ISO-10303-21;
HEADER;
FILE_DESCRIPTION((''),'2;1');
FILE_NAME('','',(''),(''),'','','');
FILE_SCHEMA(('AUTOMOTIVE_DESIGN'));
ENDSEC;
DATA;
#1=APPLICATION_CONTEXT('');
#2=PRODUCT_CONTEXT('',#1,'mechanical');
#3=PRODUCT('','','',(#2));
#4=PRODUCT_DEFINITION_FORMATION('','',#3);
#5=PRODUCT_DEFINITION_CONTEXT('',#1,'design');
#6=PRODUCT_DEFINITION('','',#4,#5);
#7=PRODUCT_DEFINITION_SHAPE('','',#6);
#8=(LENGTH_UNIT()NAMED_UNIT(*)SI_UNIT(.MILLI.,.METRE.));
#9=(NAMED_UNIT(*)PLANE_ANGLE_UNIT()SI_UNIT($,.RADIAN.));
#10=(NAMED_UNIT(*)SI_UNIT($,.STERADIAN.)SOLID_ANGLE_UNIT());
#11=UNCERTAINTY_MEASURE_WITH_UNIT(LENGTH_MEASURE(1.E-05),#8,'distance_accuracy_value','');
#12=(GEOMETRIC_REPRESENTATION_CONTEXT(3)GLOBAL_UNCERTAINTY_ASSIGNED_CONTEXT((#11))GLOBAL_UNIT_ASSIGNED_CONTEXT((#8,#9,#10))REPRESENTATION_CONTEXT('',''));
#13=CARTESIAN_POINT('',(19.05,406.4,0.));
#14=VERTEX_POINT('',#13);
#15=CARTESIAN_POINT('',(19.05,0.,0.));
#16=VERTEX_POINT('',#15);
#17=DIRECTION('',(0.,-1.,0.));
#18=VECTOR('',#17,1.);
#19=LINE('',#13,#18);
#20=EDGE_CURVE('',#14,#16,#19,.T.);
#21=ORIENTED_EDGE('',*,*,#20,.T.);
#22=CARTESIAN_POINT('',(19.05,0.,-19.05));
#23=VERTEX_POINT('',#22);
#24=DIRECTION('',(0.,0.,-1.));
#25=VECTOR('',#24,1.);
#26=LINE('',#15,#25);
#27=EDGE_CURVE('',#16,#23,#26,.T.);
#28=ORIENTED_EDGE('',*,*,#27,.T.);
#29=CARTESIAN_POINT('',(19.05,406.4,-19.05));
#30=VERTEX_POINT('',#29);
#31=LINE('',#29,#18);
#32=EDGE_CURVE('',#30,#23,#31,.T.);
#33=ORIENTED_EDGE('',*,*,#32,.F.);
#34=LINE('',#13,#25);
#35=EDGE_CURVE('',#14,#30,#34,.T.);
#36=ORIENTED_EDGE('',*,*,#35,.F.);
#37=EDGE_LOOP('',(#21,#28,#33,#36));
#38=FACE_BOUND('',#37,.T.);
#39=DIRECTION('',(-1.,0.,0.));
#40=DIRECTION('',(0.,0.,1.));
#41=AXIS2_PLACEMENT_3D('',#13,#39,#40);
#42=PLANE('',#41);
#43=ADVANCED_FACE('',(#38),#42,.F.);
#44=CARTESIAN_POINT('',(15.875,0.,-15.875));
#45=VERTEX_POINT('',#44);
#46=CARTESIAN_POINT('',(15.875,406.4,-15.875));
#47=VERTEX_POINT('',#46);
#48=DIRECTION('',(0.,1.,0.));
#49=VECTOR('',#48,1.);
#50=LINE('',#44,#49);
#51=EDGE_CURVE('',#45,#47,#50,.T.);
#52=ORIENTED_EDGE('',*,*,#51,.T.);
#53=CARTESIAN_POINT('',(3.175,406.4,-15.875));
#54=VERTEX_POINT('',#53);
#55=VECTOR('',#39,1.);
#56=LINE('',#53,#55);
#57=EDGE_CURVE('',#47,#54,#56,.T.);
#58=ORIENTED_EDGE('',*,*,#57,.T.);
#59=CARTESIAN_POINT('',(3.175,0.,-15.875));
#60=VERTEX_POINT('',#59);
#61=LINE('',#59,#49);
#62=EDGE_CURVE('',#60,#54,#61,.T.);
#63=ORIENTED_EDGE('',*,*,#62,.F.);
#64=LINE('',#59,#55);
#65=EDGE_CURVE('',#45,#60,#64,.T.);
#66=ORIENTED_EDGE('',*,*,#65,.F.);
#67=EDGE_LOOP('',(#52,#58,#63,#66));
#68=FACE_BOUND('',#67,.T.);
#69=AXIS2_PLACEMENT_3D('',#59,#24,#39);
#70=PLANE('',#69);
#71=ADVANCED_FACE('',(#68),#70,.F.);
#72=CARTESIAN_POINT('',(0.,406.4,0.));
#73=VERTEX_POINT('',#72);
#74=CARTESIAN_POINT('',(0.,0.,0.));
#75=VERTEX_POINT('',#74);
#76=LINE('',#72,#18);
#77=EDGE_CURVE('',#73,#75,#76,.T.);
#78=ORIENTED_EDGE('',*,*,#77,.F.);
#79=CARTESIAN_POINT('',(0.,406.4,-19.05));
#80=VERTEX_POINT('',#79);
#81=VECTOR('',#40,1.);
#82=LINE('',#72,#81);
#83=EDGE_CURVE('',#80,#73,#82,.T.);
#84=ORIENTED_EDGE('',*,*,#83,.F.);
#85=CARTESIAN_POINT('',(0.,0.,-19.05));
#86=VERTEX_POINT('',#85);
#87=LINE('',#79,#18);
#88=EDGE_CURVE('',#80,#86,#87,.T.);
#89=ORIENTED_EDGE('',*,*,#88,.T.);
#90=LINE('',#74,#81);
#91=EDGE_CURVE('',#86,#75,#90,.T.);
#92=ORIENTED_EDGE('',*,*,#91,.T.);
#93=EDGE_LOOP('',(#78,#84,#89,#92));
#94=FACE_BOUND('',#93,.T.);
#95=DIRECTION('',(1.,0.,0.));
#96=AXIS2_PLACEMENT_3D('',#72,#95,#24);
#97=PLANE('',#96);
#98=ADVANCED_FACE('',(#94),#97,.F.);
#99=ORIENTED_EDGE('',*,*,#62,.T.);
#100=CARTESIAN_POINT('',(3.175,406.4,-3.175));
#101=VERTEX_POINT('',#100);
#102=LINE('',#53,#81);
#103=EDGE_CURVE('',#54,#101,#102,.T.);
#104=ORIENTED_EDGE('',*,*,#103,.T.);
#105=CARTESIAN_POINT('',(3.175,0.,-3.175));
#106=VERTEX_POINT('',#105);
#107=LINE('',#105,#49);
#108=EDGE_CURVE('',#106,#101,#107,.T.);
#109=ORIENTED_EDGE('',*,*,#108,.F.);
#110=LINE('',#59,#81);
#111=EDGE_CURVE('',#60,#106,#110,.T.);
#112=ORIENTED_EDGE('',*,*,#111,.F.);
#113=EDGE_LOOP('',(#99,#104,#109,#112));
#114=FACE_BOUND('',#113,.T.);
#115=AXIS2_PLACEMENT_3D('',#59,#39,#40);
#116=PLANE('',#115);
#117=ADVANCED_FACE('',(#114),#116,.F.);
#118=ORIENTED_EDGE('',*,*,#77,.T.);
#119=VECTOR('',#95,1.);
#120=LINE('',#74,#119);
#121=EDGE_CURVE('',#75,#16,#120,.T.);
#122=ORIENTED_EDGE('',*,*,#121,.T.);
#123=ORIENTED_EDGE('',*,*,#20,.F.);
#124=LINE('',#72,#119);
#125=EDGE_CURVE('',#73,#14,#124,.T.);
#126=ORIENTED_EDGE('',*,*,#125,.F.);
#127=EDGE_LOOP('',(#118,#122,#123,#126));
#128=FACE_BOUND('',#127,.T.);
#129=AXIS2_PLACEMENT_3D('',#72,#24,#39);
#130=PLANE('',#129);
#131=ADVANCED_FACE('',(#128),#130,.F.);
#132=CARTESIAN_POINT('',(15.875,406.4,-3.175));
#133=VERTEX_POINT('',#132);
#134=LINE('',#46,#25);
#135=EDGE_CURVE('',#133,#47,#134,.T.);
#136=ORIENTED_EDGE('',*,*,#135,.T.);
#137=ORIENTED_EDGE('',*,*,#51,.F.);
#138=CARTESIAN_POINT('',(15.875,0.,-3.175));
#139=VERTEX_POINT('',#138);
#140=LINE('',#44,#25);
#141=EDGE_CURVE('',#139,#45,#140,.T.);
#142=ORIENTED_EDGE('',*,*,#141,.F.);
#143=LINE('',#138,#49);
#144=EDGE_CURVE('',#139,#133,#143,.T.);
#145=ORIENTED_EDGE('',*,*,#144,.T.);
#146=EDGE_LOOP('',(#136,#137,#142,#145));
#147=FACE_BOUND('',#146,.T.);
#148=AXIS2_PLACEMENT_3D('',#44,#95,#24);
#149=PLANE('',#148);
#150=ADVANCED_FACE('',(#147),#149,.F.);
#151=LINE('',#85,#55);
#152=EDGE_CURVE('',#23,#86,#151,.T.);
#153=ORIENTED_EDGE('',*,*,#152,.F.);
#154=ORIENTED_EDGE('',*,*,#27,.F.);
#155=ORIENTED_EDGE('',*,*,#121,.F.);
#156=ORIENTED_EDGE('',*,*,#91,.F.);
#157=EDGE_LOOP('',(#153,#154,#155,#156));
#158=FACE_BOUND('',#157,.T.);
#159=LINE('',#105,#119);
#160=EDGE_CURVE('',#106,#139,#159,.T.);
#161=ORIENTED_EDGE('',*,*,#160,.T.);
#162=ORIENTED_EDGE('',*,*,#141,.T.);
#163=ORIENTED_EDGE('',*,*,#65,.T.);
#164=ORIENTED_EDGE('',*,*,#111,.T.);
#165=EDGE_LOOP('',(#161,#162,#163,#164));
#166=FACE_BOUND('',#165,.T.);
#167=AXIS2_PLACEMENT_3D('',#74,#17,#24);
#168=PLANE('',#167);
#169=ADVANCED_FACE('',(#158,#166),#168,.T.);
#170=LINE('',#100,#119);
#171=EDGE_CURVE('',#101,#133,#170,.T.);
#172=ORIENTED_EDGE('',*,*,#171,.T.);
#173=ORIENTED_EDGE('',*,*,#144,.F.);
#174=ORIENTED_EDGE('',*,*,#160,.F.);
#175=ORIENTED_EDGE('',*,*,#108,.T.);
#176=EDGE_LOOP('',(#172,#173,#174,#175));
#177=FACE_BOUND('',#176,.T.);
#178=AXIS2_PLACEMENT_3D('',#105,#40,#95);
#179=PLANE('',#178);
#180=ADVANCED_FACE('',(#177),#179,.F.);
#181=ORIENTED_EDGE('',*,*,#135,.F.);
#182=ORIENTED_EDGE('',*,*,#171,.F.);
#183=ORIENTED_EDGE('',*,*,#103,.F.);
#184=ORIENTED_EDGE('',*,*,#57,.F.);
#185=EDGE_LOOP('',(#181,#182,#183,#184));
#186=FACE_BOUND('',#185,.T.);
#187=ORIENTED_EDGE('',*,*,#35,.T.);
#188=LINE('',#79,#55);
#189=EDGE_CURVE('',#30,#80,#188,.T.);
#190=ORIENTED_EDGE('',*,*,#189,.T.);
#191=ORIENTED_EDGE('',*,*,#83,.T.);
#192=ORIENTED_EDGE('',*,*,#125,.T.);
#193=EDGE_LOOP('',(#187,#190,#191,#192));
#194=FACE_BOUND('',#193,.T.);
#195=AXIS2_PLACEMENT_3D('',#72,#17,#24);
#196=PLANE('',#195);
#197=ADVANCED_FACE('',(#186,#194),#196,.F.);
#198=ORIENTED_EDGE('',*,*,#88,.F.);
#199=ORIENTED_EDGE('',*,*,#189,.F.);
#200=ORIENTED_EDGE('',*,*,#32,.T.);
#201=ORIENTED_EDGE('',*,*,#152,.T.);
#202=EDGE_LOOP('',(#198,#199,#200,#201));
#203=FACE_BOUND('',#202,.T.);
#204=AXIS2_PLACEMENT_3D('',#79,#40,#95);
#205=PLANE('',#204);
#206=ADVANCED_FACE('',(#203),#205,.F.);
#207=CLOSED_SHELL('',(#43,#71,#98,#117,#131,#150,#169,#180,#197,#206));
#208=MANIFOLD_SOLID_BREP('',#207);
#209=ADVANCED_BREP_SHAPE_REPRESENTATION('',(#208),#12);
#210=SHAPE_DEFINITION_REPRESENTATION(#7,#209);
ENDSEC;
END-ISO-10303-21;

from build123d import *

# Parameters (mm, degrees)
SKETCH1_W           = 19.05
SKETCH1_H           = 19.05
BOSS_EXTRUDE1_DEPTH = 406.4
SKETCH2_W           = 12.7
SKETCH2_H           = 12.7
CUT_EXTRUDE1_DEPTH  = 406.4


with BuildPart() as part:
    # Sketch1 → Boss-Extrude1 (new body)
    with BuildSketch(Plane(origin=(0, 0, 0), x_dir=(1, 0, 0), z_dir=(0, 1, 0))):
        with Locations((9.525, 9.525)):
            Rectangle(SKETCH1_W, SKETCH1_H)
    extrude(amount=BOSS_EXTRUDE1_DEPTH)

    # Sketch2 → Cut-Extrude1 (cut)
    with BuildSketch(Plane(origin=(0, 406.4, 0), x_dir=(1, 0, 0), z_dir=(0, 1, 0))):
        with Locations((9.525, 9.525)):
            Rectangle(SKETCH2_W, SKETCH2_H)
    extrude(amount=-CUT_EXTRUDE1_DEPTH, mode=Mode.SUBTRACT)


solid = part.part
